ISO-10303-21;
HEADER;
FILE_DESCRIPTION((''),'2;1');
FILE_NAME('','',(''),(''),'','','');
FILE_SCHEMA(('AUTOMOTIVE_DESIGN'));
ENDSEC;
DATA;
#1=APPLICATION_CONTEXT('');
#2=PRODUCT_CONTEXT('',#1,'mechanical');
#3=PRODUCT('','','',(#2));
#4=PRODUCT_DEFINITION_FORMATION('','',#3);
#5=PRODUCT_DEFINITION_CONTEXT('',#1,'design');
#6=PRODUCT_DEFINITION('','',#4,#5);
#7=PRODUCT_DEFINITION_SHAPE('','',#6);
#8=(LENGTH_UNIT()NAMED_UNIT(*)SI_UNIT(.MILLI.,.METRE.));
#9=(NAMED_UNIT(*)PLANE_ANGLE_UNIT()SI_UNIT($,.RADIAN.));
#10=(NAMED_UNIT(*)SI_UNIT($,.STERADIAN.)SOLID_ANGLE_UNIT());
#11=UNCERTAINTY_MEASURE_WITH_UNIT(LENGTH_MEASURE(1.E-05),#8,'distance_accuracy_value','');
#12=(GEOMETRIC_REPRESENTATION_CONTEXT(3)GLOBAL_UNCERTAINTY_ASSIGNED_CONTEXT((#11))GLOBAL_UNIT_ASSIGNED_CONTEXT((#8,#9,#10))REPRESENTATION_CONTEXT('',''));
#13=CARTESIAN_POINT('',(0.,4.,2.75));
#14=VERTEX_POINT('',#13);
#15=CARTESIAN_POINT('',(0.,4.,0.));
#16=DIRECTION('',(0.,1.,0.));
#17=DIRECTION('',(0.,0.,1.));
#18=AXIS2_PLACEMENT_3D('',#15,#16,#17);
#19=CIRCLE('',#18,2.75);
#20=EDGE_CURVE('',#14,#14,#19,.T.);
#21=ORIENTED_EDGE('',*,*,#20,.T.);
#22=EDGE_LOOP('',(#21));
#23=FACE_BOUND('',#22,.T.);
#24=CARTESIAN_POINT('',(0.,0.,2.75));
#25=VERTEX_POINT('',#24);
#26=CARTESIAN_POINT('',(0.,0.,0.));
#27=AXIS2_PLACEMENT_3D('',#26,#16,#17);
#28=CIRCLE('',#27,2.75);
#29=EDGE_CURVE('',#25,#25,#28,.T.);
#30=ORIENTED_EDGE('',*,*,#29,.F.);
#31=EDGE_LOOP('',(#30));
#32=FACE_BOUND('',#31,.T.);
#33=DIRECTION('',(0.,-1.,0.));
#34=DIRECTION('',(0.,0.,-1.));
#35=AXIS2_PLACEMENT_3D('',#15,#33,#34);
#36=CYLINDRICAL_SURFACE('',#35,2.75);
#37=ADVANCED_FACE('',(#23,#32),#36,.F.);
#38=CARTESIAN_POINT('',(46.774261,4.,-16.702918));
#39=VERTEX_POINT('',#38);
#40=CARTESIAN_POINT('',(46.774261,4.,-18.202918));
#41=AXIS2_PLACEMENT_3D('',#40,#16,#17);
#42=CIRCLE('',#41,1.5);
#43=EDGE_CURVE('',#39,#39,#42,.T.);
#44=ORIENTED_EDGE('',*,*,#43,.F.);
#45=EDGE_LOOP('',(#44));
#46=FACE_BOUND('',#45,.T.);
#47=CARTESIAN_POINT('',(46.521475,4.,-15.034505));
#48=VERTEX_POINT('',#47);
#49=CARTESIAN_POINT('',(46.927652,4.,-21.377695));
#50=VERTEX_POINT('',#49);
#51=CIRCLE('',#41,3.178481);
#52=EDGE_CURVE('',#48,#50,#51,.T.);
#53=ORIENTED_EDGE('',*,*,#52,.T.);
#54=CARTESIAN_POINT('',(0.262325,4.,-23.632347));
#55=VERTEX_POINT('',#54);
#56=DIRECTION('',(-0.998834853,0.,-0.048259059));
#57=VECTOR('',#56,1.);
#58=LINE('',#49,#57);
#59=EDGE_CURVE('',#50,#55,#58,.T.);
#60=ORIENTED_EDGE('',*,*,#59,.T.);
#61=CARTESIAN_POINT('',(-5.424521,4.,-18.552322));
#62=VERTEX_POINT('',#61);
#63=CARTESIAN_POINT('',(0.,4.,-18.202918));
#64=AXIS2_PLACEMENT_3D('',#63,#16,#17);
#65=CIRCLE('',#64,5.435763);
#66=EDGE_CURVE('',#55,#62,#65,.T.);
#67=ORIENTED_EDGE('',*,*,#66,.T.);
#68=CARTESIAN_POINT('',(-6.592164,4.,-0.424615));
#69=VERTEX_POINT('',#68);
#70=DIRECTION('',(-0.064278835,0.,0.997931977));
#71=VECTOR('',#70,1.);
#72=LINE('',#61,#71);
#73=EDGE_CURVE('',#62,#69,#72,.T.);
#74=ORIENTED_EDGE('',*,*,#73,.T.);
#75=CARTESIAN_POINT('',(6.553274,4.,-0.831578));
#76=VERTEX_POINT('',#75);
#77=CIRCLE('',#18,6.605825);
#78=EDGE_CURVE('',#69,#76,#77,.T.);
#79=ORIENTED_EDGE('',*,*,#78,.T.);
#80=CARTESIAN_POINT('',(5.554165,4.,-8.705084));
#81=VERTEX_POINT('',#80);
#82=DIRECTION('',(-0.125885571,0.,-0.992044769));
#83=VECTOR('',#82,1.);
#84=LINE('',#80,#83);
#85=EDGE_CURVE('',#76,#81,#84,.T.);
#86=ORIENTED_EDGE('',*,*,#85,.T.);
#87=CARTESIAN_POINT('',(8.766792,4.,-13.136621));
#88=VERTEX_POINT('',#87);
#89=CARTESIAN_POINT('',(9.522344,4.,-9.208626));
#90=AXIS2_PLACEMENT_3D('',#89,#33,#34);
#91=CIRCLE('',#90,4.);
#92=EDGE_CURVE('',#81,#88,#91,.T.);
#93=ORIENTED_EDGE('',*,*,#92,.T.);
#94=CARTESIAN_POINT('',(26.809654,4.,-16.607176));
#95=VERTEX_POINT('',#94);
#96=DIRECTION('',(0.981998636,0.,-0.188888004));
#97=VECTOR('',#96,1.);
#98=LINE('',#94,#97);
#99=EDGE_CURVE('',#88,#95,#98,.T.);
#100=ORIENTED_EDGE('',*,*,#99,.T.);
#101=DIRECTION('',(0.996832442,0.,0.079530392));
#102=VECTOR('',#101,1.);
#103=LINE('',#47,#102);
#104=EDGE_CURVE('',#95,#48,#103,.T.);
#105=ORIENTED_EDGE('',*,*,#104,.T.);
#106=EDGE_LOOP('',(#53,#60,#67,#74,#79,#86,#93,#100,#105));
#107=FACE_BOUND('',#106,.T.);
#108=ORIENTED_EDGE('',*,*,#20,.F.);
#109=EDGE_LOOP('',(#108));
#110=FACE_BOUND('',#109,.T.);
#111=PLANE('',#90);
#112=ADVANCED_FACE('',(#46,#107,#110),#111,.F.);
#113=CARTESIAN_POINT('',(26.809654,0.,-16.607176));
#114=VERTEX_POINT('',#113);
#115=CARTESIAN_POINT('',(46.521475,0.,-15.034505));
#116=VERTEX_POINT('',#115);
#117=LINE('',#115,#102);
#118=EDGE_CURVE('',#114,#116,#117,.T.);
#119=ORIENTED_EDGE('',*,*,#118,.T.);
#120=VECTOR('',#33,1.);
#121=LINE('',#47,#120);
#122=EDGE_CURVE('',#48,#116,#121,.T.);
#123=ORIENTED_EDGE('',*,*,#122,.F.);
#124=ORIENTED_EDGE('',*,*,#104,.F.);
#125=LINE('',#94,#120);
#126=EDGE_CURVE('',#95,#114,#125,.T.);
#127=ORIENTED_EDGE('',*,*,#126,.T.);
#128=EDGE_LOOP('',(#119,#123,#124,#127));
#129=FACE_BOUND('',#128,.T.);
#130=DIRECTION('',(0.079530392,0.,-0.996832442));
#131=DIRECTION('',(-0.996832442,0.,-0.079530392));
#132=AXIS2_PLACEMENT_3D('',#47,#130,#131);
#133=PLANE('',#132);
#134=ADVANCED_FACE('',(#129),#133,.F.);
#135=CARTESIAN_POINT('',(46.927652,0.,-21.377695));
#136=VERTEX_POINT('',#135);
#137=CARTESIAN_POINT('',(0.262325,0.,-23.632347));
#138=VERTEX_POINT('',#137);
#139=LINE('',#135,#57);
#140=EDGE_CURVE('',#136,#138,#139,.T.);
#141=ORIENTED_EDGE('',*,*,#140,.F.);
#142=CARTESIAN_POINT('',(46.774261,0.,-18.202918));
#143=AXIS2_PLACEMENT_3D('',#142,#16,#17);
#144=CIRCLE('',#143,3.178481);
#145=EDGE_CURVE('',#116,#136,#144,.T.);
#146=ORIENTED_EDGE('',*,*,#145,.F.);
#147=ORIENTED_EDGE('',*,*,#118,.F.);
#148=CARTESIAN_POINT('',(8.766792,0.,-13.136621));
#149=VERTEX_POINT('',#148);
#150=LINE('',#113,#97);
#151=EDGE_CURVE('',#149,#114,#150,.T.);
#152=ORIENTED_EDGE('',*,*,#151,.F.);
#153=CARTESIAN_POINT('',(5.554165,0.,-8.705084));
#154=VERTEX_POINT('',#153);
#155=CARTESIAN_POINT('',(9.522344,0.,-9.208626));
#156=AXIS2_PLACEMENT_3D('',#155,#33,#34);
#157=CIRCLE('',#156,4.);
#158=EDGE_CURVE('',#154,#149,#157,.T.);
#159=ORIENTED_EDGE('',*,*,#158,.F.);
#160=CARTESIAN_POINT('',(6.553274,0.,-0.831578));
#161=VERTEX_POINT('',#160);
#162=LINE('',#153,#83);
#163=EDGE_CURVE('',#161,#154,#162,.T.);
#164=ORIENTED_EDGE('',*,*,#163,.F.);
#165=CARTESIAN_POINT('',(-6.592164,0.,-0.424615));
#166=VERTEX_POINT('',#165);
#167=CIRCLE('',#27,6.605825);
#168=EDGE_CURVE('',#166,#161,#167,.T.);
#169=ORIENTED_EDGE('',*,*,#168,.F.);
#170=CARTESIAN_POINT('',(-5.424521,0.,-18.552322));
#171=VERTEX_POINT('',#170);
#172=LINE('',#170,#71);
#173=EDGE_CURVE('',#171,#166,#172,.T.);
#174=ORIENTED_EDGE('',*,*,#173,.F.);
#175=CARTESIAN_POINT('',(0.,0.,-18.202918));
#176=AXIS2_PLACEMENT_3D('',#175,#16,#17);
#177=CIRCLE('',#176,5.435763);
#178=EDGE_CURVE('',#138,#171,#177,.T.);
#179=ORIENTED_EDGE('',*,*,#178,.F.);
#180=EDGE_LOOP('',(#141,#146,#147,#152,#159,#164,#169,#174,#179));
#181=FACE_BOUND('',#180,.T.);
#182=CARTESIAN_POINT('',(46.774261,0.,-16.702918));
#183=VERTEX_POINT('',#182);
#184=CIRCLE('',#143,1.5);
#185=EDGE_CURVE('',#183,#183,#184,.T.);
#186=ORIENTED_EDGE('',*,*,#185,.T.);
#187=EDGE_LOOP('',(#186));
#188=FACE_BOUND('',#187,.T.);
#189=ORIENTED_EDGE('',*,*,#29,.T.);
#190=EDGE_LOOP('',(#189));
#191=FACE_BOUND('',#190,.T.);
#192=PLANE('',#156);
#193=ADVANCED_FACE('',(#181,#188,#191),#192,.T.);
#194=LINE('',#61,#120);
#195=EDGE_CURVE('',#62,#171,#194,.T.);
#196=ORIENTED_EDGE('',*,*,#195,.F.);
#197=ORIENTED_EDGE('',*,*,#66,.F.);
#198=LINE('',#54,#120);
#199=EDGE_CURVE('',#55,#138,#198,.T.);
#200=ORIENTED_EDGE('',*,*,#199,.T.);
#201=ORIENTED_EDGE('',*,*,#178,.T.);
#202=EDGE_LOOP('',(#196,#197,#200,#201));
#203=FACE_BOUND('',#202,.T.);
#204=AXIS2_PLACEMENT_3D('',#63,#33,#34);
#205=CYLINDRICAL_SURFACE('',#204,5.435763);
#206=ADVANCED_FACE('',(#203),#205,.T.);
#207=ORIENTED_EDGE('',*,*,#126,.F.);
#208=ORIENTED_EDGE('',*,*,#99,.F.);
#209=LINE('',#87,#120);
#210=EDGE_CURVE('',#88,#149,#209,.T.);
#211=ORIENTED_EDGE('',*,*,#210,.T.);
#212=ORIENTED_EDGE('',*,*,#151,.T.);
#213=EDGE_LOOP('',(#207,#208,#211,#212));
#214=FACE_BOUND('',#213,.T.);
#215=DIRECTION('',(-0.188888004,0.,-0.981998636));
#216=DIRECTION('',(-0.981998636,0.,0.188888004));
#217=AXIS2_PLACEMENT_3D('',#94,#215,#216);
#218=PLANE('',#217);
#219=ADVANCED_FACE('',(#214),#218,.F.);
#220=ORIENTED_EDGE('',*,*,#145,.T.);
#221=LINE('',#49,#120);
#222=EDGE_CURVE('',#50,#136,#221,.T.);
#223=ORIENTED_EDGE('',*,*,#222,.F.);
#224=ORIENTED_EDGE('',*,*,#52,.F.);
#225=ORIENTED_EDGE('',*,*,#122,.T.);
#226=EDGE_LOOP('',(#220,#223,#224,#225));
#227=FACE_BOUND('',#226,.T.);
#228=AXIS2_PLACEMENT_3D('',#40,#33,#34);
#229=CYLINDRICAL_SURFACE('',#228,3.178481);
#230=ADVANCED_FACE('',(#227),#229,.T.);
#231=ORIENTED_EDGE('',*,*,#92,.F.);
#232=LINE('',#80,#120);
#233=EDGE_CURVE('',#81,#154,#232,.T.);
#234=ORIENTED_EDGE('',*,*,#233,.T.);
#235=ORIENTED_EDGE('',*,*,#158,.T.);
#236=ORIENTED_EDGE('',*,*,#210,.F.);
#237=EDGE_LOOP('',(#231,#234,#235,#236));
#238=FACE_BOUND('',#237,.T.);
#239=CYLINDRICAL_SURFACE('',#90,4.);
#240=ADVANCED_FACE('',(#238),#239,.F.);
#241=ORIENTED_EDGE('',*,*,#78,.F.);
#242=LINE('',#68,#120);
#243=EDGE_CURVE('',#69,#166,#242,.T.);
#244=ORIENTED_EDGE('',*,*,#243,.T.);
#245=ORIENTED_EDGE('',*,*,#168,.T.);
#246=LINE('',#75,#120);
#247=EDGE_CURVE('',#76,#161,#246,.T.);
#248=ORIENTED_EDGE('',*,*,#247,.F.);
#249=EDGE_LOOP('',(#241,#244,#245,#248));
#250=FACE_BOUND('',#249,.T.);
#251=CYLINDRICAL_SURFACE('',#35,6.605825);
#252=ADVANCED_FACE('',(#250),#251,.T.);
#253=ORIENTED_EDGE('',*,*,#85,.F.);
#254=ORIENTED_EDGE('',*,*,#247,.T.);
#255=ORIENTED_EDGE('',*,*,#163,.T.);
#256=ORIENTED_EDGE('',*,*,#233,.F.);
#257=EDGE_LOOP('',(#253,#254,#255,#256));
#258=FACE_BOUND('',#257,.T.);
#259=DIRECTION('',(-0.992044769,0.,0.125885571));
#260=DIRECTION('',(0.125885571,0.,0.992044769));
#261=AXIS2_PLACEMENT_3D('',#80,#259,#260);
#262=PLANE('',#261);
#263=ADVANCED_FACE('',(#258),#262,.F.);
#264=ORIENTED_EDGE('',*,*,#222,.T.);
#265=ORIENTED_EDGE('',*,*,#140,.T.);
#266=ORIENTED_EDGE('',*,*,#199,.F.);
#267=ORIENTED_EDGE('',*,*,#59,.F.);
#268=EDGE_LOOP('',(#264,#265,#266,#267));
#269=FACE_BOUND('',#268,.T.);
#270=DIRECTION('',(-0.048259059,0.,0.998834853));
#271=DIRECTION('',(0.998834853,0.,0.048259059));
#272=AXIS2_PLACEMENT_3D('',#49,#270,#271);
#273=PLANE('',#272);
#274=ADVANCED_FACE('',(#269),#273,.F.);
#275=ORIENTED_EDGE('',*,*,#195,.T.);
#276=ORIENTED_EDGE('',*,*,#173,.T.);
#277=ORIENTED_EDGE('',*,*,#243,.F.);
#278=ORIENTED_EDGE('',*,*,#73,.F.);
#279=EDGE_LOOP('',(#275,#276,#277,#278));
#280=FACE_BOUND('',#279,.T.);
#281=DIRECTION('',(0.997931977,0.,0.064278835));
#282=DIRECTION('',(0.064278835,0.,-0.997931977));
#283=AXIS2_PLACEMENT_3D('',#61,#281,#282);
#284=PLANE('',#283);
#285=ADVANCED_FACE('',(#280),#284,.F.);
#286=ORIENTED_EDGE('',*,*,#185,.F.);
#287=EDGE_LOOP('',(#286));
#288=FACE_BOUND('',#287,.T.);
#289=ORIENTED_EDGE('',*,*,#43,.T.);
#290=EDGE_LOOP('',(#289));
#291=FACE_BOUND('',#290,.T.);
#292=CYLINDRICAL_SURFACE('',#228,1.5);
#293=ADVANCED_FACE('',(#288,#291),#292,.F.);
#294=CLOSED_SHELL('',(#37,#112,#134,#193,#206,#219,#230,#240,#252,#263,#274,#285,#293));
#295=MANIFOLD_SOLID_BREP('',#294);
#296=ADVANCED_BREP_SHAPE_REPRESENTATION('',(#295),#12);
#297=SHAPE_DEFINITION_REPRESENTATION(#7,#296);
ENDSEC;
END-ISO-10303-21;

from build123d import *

# Parameters (mm, degrees)
SKETCH1_R           = 2.75
SKETCH1_R_2         = 1.5
BOSS_EXTRUDE1_DEPTH = 4


with BuildPart() as part:
    # Sketch1 → Boss-Extrude1 (new body)
    with BuildSketch(Plane(origin=(0, 0, 0), x_dir=(1, 0, 0), z_dir=(0, 1, 0))):
        with BuildLine():
            Line((-5.42452127, 18.55232243), (-6.592163913, 0.424614729))
            ThreePointArc((-6.592163913, 0.424614729), (0.204408635, -6.602661572), (6.553274043, 0.831578043))
            Line((6.553274043, 0.831578043), (5.554165127, 8.705083814))
            ThreePointArc((5.554165127, 8.705083814), (6.283820074, 11.556382789), (8.766792184, 13.136620645))
            Line((8.766792184, 13.136620645), (26.80965439, 16.607175604))
            Line((26.80965439, 16.607175604), (46.521475319, 15.034505243))
            ThreePointArc((46.521475319, 15.034505243), (49.9462455, 17.999804862), (46.927651625, 21.377695275))
            Line((46.927651625, 21.377695275), (0.262324785, 23.632347033))
            ThreePointArc((0.262324785, 23.632347033), (-3.621288531, 22.256778313), (-5.42452127, 18.55232243))
        make_face()
        with Locations(Location((0, 0, 0), (0, 0, 270))):
            Circle(SKETCH1_R, mode=Mode.SUBTRACT)
        with Locations(Location((46.774261136, 18.202917946, 0), (0, 0, 270))):
            Circle(SKETCH1_R_2, mode=Mode.SUBTRACT)
    extrude(amount=BOSS_EXTRUDE1_DEPTH)


solid = part.part
